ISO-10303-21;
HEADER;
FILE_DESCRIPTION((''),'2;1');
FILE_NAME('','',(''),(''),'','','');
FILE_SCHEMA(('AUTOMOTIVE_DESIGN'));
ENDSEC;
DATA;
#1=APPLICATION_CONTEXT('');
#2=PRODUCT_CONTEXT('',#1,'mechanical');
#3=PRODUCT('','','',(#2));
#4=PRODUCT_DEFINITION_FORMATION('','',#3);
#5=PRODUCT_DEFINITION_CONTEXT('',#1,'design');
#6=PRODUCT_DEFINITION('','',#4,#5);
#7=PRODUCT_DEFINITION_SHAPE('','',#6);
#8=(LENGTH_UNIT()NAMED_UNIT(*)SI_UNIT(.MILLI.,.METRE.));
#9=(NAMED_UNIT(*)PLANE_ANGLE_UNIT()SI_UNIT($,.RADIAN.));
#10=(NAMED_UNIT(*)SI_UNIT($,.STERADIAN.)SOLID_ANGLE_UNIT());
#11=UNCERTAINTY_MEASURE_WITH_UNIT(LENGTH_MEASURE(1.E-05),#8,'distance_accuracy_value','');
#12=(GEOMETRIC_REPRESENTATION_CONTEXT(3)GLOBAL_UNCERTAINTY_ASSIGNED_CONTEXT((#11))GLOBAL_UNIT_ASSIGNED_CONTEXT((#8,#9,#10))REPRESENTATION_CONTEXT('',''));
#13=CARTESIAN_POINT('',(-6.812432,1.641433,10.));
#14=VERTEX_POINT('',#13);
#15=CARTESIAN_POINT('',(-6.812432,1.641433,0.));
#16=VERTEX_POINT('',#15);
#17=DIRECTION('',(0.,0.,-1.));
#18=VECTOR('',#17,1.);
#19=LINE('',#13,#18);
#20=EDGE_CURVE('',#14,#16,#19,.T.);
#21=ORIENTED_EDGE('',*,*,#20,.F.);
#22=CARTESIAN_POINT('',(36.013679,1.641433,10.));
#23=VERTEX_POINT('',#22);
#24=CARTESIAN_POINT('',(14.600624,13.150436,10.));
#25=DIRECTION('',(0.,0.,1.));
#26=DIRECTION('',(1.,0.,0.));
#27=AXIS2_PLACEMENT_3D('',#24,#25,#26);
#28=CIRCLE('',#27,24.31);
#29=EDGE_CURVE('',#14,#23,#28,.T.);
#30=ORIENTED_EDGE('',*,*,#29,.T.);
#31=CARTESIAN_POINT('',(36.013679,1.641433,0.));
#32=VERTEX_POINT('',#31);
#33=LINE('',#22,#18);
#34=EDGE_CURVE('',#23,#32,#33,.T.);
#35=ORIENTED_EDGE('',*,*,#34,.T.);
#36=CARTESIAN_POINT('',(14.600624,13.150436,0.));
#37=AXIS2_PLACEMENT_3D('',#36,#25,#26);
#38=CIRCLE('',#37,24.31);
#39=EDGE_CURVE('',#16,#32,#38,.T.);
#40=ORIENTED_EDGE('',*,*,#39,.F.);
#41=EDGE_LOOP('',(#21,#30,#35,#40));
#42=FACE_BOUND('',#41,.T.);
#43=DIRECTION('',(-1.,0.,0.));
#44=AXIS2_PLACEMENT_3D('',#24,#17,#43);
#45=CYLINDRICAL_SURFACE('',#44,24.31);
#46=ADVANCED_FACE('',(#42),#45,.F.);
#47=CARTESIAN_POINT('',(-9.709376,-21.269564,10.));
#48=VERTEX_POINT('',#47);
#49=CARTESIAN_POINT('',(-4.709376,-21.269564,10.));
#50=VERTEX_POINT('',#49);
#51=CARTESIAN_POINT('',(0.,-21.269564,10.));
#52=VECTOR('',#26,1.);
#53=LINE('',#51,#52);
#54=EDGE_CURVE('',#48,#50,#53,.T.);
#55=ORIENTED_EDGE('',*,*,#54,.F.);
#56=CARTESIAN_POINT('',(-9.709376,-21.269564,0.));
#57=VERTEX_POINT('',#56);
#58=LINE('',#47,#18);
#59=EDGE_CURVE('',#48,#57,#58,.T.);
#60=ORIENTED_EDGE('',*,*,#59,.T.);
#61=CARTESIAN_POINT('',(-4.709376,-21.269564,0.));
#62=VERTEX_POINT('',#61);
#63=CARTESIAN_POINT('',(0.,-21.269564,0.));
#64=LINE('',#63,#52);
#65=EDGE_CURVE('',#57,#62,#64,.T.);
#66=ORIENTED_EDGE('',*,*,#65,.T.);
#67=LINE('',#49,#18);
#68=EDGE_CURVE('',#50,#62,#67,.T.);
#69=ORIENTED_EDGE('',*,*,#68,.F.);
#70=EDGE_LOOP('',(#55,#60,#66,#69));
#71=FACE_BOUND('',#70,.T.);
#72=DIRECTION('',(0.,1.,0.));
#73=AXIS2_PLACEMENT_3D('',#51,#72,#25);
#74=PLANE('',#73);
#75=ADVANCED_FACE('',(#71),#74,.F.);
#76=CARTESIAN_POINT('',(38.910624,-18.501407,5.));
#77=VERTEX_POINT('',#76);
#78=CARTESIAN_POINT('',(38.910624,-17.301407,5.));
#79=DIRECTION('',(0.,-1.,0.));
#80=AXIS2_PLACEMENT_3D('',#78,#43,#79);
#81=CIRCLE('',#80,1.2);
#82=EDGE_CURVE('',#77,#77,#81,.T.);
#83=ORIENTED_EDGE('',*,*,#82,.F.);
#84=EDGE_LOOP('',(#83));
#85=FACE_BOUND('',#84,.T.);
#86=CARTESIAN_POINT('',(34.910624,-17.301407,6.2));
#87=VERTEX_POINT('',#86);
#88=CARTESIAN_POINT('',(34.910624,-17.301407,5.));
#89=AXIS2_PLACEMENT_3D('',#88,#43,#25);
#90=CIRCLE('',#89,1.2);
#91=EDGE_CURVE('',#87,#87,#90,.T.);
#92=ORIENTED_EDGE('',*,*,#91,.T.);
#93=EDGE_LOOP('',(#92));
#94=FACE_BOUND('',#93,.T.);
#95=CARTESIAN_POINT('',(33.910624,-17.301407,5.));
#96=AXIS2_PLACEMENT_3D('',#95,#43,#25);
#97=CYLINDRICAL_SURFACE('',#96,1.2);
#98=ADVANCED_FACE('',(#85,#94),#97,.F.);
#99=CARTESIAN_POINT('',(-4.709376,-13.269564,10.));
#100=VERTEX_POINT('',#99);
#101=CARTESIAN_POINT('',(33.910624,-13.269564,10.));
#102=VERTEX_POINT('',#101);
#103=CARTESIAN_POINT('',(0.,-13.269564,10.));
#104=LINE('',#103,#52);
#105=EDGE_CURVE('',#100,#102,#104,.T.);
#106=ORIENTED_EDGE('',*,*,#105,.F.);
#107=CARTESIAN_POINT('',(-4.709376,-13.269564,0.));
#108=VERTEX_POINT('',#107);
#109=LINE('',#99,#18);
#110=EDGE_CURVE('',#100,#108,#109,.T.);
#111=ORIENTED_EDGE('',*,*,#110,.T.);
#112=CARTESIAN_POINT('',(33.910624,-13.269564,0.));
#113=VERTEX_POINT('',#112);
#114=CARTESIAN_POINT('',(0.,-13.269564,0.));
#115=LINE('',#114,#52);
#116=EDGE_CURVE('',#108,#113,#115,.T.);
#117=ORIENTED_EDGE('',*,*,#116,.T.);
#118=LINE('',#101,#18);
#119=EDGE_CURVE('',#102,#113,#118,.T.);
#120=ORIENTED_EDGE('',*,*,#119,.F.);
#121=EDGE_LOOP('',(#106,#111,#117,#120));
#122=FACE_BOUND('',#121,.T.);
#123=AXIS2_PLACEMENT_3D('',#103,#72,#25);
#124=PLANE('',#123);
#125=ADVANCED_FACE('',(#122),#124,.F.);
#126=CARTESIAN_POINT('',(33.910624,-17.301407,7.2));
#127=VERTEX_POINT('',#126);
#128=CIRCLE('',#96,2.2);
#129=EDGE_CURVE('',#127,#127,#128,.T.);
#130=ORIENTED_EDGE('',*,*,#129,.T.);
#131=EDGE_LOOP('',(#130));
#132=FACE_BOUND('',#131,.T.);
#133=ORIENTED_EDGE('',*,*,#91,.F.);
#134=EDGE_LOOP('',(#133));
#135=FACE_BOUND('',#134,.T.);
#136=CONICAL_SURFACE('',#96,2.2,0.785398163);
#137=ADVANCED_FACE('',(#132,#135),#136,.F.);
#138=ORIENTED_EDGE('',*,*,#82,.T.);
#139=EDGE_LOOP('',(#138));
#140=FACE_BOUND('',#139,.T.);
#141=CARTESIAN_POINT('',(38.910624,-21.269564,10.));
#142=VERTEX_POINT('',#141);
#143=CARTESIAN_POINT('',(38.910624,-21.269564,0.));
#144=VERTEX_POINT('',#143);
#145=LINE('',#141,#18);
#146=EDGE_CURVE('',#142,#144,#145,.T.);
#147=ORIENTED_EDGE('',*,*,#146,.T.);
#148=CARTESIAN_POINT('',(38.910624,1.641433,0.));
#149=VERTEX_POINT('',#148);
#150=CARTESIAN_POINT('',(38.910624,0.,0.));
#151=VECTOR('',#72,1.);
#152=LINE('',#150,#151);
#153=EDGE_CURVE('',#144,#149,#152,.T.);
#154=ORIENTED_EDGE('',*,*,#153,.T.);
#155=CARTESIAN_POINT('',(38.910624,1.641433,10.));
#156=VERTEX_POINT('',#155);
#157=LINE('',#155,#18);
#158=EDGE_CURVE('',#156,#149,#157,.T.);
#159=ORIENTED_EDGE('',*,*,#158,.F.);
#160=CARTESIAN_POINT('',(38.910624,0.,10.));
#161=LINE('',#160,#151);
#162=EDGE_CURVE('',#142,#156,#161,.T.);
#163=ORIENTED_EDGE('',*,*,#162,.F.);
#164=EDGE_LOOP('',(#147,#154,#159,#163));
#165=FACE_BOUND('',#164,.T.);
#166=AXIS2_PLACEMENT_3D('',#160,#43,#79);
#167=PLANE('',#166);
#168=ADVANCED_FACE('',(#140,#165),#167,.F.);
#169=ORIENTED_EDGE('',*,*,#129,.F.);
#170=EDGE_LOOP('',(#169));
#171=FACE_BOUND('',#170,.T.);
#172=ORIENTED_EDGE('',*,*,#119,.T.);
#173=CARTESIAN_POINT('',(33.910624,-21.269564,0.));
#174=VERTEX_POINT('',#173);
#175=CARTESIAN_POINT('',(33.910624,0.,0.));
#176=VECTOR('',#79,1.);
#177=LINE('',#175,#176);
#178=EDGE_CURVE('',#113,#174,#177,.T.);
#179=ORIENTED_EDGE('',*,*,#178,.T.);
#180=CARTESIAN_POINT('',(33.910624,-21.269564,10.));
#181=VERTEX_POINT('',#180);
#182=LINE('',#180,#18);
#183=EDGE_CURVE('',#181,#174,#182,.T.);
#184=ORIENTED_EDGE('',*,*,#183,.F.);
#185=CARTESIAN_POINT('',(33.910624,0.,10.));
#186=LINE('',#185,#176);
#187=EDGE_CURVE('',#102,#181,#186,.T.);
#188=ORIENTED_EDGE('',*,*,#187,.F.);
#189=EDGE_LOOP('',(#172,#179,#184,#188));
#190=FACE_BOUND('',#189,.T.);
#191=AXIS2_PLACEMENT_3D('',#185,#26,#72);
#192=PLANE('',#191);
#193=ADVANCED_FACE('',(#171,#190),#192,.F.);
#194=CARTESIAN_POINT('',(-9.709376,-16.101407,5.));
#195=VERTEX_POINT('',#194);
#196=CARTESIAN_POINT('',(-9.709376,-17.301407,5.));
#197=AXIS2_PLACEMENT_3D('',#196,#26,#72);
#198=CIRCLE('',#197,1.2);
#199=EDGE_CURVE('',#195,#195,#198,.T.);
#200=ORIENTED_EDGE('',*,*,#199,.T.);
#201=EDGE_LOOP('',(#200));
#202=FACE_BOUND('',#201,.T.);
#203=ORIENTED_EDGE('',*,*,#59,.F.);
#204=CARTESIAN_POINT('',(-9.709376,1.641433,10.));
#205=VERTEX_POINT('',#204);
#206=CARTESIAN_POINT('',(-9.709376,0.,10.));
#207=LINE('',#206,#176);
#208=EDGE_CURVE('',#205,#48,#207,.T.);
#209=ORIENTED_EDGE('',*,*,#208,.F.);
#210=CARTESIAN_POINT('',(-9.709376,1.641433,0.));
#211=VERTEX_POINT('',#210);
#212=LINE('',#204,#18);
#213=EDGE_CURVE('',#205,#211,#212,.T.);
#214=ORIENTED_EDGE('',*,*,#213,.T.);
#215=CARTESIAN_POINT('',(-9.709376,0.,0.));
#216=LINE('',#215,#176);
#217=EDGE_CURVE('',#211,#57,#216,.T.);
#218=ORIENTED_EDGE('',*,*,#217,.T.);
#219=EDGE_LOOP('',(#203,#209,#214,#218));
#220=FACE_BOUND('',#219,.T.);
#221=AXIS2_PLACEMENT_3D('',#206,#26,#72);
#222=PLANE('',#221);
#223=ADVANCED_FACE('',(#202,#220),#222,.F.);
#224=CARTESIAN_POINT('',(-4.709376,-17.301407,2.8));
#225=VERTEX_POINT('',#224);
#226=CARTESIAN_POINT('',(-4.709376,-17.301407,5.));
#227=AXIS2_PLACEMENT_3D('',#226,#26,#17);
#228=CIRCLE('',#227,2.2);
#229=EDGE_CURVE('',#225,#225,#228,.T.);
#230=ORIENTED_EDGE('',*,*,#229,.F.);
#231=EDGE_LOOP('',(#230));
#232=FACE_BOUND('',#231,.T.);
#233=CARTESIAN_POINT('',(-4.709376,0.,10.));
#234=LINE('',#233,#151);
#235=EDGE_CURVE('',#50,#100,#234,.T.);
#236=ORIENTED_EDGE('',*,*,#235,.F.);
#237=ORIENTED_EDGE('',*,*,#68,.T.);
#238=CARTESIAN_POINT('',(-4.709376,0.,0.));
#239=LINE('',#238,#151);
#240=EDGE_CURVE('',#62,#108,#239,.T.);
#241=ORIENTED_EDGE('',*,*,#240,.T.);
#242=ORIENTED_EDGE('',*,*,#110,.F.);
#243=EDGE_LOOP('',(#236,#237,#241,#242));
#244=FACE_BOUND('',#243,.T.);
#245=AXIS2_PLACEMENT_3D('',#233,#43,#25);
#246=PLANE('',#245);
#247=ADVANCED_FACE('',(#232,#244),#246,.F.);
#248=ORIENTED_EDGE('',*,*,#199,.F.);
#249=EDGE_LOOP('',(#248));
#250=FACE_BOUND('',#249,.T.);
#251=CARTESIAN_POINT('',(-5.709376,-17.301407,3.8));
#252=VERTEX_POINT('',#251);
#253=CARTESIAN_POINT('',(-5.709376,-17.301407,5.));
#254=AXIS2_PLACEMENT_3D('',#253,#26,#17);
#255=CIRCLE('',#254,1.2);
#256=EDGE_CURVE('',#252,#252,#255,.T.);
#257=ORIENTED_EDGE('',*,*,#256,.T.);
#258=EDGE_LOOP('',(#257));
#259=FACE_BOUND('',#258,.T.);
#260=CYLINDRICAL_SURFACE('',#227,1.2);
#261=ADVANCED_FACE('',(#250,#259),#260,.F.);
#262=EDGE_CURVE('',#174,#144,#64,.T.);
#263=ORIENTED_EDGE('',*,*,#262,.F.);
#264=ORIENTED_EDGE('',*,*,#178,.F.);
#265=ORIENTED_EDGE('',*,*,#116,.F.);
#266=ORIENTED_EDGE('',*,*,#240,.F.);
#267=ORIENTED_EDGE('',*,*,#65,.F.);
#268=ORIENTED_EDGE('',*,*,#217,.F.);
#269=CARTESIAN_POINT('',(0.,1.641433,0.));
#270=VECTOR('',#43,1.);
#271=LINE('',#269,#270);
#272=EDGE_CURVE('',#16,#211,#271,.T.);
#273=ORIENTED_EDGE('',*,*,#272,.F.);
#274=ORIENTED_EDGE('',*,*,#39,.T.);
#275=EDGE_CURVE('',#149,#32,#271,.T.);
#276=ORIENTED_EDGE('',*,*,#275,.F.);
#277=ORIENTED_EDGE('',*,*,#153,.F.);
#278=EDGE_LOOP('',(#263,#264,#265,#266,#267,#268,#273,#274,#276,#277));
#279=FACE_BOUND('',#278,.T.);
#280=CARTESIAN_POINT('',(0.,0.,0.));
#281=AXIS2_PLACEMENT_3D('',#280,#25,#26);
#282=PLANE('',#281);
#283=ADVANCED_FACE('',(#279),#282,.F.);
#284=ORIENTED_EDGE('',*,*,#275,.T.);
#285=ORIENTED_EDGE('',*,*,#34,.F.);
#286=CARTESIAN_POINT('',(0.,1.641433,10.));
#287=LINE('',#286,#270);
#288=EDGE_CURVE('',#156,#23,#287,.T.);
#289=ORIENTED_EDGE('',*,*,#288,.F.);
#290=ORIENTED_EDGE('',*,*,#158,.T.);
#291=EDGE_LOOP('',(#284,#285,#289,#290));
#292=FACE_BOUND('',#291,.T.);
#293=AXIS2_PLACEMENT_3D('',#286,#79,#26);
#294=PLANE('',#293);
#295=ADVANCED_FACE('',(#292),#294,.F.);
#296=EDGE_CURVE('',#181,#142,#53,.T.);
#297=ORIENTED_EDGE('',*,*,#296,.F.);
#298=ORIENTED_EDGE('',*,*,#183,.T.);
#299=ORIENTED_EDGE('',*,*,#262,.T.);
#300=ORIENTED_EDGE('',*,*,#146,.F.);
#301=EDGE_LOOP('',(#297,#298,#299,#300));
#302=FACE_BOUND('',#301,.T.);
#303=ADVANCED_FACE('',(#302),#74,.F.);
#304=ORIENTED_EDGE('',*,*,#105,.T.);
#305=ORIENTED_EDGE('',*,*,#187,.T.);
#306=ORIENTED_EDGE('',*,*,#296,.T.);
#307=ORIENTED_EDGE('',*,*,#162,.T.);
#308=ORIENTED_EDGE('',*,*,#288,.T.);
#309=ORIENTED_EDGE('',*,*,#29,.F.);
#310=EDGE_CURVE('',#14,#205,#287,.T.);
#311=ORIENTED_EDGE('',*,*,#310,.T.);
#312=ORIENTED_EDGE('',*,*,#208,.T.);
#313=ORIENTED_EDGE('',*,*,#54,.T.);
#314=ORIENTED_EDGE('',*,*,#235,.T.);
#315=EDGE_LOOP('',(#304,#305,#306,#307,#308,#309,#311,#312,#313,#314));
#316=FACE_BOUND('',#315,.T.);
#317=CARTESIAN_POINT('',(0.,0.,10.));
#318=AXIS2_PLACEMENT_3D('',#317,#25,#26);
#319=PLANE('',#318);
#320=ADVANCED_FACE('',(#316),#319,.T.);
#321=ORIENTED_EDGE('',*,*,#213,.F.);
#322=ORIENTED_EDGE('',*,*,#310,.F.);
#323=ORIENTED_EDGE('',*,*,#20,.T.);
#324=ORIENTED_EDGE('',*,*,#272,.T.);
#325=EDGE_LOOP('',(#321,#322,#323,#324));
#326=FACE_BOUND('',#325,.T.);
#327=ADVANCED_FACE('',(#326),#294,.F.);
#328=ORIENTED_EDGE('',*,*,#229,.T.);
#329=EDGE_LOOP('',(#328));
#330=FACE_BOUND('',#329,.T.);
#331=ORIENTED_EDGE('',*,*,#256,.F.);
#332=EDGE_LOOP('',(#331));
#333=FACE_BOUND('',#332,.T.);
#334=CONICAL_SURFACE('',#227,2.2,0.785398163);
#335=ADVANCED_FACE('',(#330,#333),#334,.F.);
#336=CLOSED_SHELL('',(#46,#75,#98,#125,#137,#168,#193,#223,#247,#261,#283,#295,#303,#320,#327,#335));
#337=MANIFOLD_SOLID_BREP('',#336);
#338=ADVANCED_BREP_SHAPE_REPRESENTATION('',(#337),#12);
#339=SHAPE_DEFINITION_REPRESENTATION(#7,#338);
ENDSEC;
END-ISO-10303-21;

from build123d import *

# Parameters (mm, degrees)
BOSS_EXTRUDE1_DEPTH = 10


with BuildPart() as part:
    # Sketch1 → Boss-Extrude1 (new body)
    with BuildSketch(Plane.XY):
        with BuildLine():
            Line((-9.709376273, 1.641432906), (-9.709376273, -21.269563621))
            Line((-9.709376273, -21.269563621), (-4.709376273, -21.269563621))
            Line((-4.709376273, -21.269563621), (-4.709376273, -13.269563621))
            Line((-4.709376273, -13.269563621), (14.600623727, -13.269563621))
            Line((14.600623727, -13.269563621), (14.600623727, -11.159563621))
            ThreePointArc((14.600623727, -11.159563621), (2.126806638, -7.715324743), (-6.812431614, 1.641432906))
            Line((-6.812431614, 1.641432906), (-9.709376273, 1.641432906))
        make_face()
        with BuildLine():
            Line((14.600623727, -11.159563621), (14.600623727, -13.269563621))
            Line((14.600623727, -13.269563621), (33.910623727, -13.269563621))
            Line((33.910623727, -13.269563621), (33.910623727, -21.269563621))
            Line((33.910623727, -21.269563621), (38.910623727, -21.269563621))
            Line((38.910623727, -21.269563621), (38.910623727, 1.641432906))
            Line((38.910623727, 1.641432906), (36.013679069, 1.641432906))
            ThreePointArc((36.013679069, 1.641432906), (27.074440817, -7.715324743), (14.600623727, -11.159563621))
        make_face()
    extrude(amount=BOSS_EXTRUDE1_DEPTH)

    # Sketch4 → CSK for M2 Countersunk Flat Head Screw1 (revolve, cut)
    with BuildSketch(Plane(origin=(-4.709376273, -17.301406974, 5), x_dir=(0, 0, -1), z_dir=(0, 1, 0))):
        Polygon((0, 0), (0, 17.221032743), (1.2, 16.5), (1.2, 1), (2.2, 0), align=None)
    csk_for_m2_countersunk_flat_head_screw1 = revolve(axis=Axis((1.640623727, -17.301406974, 5), (-1, 0, 0)), mode=Mode.SUBTRACT)

    # Mirror2: CSK for M2 Countersunk Flat Head Screw1 across plane
    add(csk_for_m2_countersunk_flat_head_screw1.mirror(Plane(origin=(14.600623727, 0, 0), x_dir=(0, 0, 1), z_dir=(1, 0, 0))), mode=Mode.SUBTRACT)


solid = part.part
